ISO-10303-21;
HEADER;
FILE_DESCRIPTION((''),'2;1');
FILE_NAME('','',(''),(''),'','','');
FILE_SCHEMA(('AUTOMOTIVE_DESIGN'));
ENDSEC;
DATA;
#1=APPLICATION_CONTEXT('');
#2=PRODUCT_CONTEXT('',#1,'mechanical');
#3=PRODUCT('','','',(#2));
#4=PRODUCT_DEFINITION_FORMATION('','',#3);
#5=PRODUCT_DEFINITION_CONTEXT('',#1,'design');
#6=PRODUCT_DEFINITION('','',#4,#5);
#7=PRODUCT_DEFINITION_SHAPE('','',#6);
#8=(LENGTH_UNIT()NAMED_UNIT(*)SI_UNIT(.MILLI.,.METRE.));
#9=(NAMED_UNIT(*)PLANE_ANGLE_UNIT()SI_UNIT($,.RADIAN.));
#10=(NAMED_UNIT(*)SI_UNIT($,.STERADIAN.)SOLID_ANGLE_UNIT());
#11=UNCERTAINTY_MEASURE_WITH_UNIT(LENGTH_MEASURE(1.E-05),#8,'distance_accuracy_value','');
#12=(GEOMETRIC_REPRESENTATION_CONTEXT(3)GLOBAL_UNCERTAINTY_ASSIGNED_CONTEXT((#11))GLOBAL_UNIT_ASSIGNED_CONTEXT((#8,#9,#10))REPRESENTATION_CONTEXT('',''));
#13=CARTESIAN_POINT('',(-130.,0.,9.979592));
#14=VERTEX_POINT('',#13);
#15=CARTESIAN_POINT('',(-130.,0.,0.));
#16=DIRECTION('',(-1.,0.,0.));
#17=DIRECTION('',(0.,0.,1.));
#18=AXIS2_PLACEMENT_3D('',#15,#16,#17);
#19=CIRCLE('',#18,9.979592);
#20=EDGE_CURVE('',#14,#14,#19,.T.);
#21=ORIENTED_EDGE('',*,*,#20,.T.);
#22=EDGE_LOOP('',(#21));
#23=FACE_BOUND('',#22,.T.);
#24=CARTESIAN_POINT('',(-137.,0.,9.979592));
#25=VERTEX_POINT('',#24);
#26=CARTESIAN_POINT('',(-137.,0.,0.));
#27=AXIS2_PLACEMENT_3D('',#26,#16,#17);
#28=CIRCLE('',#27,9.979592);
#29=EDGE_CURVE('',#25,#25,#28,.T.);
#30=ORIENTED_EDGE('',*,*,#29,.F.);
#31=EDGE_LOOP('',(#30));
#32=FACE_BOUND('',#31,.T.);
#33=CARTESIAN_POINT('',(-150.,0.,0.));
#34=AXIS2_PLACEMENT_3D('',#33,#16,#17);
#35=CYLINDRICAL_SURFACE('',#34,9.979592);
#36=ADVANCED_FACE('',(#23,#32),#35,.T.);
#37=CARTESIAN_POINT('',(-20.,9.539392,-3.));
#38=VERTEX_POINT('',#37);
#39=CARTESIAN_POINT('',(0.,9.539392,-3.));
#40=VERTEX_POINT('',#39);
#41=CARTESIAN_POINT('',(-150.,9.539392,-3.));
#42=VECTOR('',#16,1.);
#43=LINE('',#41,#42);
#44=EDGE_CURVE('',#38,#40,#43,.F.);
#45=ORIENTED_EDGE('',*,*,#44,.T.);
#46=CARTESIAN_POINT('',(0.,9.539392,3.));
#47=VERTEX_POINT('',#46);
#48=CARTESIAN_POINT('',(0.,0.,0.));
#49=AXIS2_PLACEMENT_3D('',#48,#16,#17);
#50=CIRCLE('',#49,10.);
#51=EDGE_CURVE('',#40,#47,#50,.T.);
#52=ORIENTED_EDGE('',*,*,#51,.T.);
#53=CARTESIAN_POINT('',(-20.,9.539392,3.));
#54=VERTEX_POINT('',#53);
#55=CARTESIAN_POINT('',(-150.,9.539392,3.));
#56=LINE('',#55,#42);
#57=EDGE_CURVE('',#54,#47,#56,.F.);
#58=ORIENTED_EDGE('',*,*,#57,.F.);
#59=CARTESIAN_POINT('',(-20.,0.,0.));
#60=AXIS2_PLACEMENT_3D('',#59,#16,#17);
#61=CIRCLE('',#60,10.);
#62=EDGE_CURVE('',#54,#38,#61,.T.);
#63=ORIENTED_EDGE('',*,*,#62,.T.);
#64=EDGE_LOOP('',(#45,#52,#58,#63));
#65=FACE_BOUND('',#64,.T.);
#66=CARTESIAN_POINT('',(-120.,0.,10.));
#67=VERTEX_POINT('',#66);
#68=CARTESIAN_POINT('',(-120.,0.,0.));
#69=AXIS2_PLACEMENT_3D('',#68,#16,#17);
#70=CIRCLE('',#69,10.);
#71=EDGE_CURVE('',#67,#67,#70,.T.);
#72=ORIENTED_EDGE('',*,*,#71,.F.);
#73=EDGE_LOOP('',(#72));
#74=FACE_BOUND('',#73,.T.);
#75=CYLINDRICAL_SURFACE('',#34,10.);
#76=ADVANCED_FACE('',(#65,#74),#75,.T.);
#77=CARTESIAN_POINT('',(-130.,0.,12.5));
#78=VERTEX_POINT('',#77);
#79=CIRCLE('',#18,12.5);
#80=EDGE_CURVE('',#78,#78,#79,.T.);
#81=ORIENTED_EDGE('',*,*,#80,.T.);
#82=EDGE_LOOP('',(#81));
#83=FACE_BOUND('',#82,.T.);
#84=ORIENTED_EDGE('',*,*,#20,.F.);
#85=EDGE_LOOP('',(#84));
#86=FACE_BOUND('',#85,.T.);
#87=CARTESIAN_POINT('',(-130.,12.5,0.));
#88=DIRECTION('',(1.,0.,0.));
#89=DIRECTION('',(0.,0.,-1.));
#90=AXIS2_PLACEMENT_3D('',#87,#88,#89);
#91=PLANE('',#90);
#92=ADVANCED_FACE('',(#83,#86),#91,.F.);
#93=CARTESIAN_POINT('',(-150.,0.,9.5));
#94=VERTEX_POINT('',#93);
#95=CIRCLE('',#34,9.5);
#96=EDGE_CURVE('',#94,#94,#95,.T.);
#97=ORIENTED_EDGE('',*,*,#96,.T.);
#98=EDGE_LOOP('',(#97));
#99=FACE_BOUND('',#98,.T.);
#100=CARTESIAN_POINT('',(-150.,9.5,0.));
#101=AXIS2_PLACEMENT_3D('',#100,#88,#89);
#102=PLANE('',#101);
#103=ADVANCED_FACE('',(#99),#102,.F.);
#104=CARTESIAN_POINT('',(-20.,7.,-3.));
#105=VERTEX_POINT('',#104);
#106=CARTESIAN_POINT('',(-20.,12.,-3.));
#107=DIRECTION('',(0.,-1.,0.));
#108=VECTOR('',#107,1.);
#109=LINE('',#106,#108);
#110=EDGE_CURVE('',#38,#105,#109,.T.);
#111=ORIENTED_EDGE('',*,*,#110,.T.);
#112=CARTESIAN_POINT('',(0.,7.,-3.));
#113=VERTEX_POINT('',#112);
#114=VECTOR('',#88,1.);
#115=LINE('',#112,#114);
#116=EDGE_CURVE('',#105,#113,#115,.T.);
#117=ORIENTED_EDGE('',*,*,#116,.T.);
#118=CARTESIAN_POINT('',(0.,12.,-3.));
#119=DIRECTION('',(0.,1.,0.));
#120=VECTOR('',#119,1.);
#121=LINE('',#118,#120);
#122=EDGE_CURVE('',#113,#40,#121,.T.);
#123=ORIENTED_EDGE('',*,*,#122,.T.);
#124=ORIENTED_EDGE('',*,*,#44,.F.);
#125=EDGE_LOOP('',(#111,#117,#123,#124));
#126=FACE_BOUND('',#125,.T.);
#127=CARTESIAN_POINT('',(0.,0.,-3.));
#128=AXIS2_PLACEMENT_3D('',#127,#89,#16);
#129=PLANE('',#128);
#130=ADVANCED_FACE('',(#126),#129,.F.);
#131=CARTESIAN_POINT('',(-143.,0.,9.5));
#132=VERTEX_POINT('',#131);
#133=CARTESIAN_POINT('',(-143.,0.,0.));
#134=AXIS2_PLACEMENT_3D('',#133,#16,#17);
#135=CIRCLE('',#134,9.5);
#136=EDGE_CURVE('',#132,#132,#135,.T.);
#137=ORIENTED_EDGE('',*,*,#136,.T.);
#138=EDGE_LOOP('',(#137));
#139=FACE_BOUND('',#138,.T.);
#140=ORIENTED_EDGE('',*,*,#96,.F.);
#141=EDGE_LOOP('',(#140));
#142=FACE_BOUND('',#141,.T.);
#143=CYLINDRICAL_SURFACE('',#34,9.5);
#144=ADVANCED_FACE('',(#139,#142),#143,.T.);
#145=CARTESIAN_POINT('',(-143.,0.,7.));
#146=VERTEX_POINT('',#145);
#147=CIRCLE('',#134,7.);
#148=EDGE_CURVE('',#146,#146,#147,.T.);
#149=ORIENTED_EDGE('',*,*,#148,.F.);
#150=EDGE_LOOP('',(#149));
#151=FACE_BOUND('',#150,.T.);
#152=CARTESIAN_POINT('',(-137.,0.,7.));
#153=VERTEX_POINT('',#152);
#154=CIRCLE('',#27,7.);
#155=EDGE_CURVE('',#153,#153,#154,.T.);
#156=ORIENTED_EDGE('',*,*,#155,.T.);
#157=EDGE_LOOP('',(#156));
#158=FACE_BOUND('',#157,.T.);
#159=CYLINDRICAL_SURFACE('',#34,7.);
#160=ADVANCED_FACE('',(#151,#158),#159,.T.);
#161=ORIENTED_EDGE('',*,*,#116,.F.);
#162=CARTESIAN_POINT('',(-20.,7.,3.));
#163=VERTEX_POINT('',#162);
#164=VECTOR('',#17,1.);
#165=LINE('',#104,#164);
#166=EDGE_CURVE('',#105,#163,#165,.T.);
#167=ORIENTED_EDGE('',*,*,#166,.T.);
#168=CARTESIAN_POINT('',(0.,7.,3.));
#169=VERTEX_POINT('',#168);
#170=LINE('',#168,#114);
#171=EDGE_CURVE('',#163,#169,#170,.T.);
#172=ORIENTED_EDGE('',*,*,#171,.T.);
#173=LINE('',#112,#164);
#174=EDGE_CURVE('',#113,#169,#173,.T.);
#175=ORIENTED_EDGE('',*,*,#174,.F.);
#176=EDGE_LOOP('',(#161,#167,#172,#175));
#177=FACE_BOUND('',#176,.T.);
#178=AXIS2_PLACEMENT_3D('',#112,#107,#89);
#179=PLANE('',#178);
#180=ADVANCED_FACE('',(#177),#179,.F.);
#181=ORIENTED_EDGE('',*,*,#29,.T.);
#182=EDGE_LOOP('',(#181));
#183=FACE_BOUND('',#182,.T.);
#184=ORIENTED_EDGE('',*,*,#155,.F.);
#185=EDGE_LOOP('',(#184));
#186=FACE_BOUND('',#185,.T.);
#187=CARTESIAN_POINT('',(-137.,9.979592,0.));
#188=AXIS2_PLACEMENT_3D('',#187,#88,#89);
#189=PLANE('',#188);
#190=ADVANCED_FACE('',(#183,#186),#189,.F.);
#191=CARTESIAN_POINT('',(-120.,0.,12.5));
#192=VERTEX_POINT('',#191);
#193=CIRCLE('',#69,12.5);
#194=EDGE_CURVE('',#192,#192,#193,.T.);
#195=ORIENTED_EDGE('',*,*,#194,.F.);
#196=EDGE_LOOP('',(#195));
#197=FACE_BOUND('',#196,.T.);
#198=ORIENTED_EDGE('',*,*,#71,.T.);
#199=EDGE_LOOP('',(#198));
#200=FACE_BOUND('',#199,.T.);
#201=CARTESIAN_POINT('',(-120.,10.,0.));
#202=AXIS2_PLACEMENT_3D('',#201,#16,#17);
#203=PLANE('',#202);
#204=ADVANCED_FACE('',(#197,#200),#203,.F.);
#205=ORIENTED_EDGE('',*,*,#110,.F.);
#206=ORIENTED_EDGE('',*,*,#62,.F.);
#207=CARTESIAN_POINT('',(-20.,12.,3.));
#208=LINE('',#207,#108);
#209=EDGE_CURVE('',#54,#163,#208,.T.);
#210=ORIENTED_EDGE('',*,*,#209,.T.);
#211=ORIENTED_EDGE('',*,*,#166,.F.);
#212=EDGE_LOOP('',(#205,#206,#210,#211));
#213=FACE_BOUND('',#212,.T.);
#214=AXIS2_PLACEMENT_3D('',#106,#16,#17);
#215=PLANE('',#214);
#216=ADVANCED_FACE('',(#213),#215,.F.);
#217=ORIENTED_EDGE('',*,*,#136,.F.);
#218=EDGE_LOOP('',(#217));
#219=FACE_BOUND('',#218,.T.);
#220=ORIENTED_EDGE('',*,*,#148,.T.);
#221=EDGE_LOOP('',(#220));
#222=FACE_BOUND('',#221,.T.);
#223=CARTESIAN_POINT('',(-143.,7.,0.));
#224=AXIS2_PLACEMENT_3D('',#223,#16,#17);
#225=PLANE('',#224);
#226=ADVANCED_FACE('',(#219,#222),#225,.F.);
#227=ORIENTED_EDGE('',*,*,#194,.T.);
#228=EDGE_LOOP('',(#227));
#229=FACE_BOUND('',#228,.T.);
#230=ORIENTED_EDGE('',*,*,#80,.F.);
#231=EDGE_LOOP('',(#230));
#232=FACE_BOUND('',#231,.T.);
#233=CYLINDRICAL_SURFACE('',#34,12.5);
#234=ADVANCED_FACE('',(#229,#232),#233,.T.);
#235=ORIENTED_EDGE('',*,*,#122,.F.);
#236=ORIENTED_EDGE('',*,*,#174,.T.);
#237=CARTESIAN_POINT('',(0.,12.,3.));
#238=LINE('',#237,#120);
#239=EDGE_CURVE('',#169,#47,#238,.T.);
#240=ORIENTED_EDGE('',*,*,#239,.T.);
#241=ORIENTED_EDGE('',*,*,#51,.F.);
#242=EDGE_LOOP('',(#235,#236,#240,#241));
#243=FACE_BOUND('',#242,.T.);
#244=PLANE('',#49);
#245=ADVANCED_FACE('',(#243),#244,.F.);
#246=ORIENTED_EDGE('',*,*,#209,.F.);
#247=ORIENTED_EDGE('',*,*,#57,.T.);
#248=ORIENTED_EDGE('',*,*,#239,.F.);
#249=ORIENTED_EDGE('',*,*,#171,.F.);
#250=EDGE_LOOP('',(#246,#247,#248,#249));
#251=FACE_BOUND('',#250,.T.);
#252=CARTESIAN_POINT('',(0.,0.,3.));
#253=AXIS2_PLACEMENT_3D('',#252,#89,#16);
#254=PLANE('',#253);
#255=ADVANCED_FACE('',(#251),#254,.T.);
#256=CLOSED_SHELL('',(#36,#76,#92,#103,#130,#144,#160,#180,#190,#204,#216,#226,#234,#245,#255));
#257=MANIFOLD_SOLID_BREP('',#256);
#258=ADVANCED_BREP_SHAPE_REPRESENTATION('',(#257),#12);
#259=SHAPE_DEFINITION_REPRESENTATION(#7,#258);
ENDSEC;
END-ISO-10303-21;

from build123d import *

# Parameters (mm, degrees)
SKETCH2_W          = 20
SKETCH2_H          = 5
CUT_EXTRUDE1_DEPTH = 3


with BuildPart() as part:
    # Sketch1 → Revolve1 (revolve)
    with BuildSketch(Plane.XY, mode=Mode.PRIVATE) as revolve1_sk:
        Polygon((0, 0), (0, 10), (-120, 10), (-120, 12.5), (-130, 12.5), (-130, 9.979591837), (-137, 9.979591837), (-137, 7), (-143, 7), (-143, 9.5), (-150, 9.5), (-150, 0), align=None)
    revolve(revolve1_sk.sketch.rotate(Axis((-150, 0, 0), (1, 0, 0)), 90), axis=Axis((-150, 0, 0), (1, 0, 0)))

    # Sketch2 → Cut-Extrude1 (cut, symmetric)
    with BuildSketch(Plane.XY):
        with Locations((-10, 9.5)):
            Rectangle(SKETCH2_W, SKETCH2_H)
    extrude(amount=CUT_EXTRUDE1_DEPTH, both=True, mode=Mode.SUBTRACT)


solid = part.part
